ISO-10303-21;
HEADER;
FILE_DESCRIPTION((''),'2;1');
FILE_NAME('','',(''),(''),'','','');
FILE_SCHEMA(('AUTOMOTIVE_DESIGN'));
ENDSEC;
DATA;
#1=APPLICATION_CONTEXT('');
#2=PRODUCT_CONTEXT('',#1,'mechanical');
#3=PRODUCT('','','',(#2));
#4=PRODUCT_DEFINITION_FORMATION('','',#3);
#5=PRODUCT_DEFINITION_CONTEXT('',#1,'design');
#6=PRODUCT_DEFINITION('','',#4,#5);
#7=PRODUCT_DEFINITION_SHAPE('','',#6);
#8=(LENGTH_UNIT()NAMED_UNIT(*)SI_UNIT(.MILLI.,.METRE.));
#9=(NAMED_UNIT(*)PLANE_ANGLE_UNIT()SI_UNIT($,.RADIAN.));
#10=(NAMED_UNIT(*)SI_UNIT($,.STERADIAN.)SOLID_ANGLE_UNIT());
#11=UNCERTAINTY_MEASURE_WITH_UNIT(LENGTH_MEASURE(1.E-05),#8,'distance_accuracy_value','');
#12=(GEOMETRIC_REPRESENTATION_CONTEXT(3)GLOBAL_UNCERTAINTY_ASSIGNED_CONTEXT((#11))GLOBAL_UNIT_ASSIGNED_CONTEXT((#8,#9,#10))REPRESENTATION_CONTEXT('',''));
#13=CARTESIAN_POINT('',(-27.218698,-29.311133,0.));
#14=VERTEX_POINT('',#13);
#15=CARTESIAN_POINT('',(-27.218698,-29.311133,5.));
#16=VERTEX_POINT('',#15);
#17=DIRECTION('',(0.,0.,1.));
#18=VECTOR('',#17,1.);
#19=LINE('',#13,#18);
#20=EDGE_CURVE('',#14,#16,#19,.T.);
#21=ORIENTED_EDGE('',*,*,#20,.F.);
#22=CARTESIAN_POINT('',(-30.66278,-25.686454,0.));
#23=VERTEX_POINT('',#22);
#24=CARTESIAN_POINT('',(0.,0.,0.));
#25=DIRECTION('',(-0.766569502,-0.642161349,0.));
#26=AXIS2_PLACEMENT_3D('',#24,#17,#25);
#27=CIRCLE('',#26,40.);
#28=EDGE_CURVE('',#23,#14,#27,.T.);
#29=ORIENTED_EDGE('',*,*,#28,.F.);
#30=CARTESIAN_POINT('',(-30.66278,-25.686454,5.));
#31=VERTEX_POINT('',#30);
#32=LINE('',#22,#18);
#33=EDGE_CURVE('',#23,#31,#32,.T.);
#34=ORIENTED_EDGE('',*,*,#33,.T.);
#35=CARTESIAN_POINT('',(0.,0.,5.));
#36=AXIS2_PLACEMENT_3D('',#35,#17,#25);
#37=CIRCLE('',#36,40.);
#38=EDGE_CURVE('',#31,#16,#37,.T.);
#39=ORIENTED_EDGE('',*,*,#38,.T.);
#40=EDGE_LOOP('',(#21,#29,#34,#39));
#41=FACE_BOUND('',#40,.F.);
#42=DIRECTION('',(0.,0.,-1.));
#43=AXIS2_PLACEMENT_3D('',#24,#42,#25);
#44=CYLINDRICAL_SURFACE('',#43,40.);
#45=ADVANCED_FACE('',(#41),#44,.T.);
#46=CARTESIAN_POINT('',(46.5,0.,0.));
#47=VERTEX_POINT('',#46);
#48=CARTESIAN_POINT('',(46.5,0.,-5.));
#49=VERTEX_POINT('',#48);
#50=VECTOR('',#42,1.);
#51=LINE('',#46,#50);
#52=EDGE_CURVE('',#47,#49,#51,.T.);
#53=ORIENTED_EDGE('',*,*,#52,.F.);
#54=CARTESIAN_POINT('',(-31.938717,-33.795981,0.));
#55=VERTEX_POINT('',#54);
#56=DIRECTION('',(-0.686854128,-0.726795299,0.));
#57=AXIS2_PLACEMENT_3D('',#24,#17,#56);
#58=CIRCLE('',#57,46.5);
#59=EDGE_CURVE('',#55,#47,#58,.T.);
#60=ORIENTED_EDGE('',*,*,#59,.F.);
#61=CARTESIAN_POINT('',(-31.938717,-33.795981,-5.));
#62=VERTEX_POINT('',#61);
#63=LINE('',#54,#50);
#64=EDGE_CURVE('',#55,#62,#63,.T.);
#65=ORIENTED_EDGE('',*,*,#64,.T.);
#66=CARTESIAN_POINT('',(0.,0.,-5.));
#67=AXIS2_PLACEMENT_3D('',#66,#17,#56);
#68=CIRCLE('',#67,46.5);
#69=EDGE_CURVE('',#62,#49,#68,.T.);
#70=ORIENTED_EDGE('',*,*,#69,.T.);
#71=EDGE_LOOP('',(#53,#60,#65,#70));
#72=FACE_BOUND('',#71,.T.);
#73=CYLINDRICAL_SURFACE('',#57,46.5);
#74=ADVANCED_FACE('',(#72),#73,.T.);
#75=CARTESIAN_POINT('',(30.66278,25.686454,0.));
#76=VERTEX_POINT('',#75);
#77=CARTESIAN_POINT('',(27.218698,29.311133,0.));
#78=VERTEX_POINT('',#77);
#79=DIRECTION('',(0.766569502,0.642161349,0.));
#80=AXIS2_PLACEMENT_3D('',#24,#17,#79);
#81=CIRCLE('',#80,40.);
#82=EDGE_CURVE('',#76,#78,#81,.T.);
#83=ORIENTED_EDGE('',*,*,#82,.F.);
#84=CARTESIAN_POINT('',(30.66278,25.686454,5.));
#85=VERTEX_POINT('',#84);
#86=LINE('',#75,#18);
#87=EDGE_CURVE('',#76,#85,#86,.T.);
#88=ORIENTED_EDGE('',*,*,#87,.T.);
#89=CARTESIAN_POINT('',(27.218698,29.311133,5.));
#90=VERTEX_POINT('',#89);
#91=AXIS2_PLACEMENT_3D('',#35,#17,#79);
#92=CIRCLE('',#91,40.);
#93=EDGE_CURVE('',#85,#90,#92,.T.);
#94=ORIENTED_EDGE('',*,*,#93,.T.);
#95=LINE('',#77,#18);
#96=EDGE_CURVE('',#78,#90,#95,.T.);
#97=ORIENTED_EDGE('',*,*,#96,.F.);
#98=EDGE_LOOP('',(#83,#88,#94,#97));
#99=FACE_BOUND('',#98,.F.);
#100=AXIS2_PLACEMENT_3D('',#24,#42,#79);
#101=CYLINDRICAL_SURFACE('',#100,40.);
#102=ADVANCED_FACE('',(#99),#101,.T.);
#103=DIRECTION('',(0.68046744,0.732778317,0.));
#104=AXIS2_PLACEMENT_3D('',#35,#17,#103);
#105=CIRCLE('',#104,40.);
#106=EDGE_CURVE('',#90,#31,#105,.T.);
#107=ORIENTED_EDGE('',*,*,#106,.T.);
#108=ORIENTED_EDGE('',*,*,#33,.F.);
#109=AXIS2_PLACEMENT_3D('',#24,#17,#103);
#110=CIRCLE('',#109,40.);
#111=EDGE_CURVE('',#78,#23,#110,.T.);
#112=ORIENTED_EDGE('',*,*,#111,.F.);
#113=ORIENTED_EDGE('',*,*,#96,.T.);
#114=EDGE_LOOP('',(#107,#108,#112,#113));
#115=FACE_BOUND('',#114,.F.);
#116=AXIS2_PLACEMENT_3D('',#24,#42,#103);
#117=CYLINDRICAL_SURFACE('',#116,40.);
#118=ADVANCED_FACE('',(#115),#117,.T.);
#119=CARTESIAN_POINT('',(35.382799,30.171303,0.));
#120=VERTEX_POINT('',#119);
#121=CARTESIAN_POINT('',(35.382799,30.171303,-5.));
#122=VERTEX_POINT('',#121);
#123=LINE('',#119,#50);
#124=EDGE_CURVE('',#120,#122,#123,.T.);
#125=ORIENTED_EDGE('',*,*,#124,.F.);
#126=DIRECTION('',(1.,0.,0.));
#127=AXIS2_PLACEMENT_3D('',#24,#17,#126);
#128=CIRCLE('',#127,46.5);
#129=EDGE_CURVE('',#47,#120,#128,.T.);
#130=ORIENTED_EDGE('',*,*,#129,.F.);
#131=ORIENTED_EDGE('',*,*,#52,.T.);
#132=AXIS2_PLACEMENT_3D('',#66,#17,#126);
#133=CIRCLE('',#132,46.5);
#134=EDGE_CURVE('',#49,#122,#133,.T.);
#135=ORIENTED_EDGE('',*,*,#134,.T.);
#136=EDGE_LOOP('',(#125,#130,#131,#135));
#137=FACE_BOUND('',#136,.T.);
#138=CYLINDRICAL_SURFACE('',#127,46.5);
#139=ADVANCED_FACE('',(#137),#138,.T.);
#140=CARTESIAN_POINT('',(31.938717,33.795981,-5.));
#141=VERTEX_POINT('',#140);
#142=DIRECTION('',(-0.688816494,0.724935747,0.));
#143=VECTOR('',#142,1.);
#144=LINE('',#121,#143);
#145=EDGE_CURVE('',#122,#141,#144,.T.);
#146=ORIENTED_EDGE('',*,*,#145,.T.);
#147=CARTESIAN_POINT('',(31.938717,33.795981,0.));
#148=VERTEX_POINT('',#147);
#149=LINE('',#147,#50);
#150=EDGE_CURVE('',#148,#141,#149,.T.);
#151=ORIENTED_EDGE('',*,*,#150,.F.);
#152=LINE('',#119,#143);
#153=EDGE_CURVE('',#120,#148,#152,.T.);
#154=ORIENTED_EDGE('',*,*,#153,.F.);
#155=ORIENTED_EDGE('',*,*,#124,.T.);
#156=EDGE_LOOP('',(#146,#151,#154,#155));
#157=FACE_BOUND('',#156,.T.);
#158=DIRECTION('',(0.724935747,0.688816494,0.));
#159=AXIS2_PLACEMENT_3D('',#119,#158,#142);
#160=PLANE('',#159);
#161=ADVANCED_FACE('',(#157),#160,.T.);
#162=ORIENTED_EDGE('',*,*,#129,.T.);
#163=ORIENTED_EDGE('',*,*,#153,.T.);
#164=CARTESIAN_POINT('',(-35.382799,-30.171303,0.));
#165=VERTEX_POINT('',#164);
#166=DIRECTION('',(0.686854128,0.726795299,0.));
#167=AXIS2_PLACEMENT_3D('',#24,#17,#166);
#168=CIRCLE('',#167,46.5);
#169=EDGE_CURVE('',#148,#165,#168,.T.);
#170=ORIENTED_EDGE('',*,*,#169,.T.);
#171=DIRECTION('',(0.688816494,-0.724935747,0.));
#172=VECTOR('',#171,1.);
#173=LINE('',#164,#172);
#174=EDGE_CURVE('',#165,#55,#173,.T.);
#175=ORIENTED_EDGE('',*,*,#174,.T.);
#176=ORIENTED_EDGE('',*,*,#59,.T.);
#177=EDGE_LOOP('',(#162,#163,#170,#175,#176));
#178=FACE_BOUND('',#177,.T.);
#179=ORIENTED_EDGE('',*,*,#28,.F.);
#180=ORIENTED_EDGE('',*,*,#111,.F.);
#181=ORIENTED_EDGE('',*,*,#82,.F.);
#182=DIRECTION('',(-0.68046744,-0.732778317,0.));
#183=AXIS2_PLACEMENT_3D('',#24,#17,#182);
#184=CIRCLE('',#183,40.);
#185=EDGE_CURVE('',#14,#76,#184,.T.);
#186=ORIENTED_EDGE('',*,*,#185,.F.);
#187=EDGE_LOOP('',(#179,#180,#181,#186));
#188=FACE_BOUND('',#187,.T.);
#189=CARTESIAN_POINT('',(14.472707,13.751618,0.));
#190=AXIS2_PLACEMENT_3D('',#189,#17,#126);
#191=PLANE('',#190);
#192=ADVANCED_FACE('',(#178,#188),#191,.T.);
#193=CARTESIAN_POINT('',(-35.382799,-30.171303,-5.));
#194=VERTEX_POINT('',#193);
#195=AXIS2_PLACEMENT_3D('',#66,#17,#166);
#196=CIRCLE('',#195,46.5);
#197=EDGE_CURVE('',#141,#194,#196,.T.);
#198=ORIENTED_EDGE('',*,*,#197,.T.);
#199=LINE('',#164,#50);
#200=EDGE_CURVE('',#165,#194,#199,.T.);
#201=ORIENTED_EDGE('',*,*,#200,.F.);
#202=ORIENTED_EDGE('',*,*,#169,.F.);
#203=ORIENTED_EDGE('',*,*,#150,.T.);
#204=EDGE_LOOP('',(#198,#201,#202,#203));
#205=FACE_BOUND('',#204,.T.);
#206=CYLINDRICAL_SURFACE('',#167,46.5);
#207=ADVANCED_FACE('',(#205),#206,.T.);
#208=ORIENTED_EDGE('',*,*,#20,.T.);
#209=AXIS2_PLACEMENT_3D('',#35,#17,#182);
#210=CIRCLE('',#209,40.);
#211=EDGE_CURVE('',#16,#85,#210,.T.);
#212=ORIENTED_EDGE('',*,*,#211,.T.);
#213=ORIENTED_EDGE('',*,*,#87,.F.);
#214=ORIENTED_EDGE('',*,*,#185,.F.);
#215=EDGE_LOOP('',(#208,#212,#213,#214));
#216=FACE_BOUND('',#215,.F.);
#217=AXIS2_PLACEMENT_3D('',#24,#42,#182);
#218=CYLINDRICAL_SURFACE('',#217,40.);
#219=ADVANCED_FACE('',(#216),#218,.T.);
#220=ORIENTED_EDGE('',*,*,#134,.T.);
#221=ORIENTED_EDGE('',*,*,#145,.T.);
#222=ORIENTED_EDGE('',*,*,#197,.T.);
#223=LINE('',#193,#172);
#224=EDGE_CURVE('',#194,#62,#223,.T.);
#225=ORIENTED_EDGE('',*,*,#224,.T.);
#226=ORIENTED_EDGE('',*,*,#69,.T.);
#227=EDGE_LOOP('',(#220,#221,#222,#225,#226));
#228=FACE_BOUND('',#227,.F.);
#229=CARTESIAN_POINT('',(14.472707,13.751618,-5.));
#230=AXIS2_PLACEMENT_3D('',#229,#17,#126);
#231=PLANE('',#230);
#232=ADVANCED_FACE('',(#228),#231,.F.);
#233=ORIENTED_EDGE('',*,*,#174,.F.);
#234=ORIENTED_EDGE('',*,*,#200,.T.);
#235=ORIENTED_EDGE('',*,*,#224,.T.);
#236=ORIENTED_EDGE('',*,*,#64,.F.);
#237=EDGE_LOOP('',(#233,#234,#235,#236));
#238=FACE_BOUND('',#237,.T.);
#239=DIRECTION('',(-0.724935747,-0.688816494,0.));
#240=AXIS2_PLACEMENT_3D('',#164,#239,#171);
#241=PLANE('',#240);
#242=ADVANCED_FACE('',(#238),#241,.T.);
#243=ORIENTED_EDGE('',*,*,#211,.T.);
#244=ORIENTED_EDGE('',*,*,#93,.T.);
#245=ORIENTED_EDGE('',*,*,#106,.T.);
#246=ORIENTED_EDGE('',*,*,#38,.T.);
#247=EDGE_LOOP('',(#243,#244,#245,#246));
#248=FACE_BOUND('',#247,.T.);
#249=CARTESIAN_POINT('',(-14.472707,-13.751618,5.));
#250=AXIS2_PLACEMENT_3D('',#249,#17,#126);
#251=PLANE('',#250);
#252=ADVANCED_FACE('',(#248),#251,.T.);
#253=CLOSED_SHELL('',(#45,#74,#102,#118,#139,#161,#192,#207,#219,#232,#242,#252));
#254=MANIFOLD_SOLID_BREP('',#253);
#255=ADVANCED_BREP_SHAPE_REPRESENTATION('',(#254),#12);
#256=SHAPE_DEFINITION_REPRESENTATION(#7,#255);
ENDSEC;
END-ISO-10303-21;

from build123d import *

# Parameters (mm, degrees)
F1_DEPTH = 5
F2_DEPTH = 5


with BuildPart() as f1:
    # F0 (on Top) → F1 (new body)
    with BuildSketch(Plane.XY):
        with BuildLine():
            ThreePointArc((-30.6627800902, -25.6864539619), (-28.9974298761, -27.5526597732), (-27.2186976186, -29.3111326965))
            Line((-27.2186976186, -29.3111326965), (1.7220412358, -1.8123393673))
            Line((1.7220412358, -1.8123393673), (0, 0))
            Line((0, 0), (-1.7220412358, 1.8123393673))
            Line((-1.7220412358, 1.8123393673), (-30.6627800902, -25.6864539619))
        make_face()
        with BuildLine():
            Line((1.7220412358, -1.8123393673), (30.6627800902, 25.6864539619))
            ThreePointArc((30.6627800902, 25.6864539619), (28.9974298761, 27.5526597732), (27.2186976186, 29.3111326965))
            Line((27.2186976186, 29.3111326965), (-1.7220412358, 1.8123393673))
            Line((-1.7220412358, 1.8123393673), (0, 0))
            Line((0, 0), (1.7220412358, -1.8123393673))
        make_face()
        with BuildLine():
            Line((-1.7220412358, 1.8123393673), (27.2186976186, 29.3111326965))
            ThreePointArc((27.2186976186, 29.3111326965), (-27.5526597732, 28.9974298761), (-30.6627800902, -25.6864539619))
            Line((-30.6627800902, -25.6864539619), (-1.7220412358, 1.8123393673))
        make_face()
        with BuildLine():
            ThreePointArc((-27.2186976186, -29.3111326965), (15.9883097177, -36.6657053985), (40, 0))
            ThreePointArc((40, 0), (37.5932919788, 13.6654454079), (30.6627800902, 25.6864539619))
            Line((30.6627800902, 25.6864539619), (1.7220412358, -1.8123393673))
            Line((1.7220412358, -1.8123393673), (-27.2186976186, -29.3111326965))
        make_face()
    extrude(amount=F1_DEPTH)

    # F0 (on Top) → F2 (join)
    with BuildSketch(Plane.XY):
        with BuildLine():
            Line((1.7220412358, -1.8123393673), (30.6627800902, 25.6864539619))
            ThreePointArc((30.6627800902, 25.6864539619), (28.9974298761, 27.5526597732), (27.2186976186, 29.3111326965))
            Line((27.2186976186, 29.3111326965), (-1.7220412358, 1.8123393673))
            Line((-1.7220412358, 1.8123393673), (0, 0))
            Line((0, 0), (1.7220412358, -1.8123393673))
        make_face()
        with BuildLine():
            ThreePointArc((-30.6627800902, -25.6864539619), (-28.9974298761, -27.5526597732), (-27.2186976186, -29.3111326965))
            Line((-27.2186976186, -29.3111326965), (1.7220412358, -1.8123393673))
            Line((1.7220412358, -1.8123393673), (0, 0))
            Line((0, 0), (-1.7220412358, 1.8123393673))
            Line((-1.7220412358, 1.8123393673), (-30.6627800902, -25.6864539619))
        make_face()
        with BuildLine():
            ThreePointArc((27.2186976186, 29.3111326965), (28.9974298761, 27.5526597732), (30.6627800902, 25.6864539619))
            Line((30.6627800902, 25.6864539619), (35.3827994101, 30.1713026882))
            Line((35.3827994101, 30.1713026882), (31.9387169385, 33.7959814227))
            Line((31.9387169385, 33.7959814227), (27.2186976186, 29.3111326965))
        make_face()
        with BuildLine():
            Line((-31.9387169385, -33.7959814227), (-27.2186976186, -29.3111326965))
            ThreePointArc((-27.2186976186, -29.3111326965), (-28.9974298761, -27.5526597732), (-30.6627800902, -25.6864539619))
            Line((-30.6627800902, -25.6864539619), (-35.3827994101, -30.1713026882))
            Line((-35.3827994101, -30.1713026882), (-31.9387169385, -33.7959814227))
        make_face()
        with BuildLine():
            ThreePointArc((30.6627800902, 25.6864539619), (37.5932919788, 13.6654454079), (40, 0))
            ThreePointArc((40, 0), (15.9883097177, -36.6657053985), (-27.2186976186, -29.3111326965))
            Line((-27.2186976186, -29.3111326965), (-31.9387169385, -33.7959814227))
            ThreePointArc((-31.9387169385, -33.7959814227), (18.3997236713, -42.7048026435), (46.5, 0))
            ThreePointArc((46.5, 0), (43.6322711566, 16.0771550255), (35.3827994101, 30.1713026882))
            Line((35.3827994101, 30.1713026882), (30.6627800902, 25.6864539619))
        make_face()
        with BuildLine():
            ThreePointArc((-30.6627800902, -25.6864539619), (-27.5526597732, 28.9974298761), (27.2186976186, 29.3111326965))
            Line((27.2186976186, 29.3111326965), (31.9387169385, 33.7959814227))
            ThreePointArc((31.9387169385, 33.7959814227), (-32.0299669864, 33.709512231), (-35.3827994101, -30.1713026882))
            Line((-35.3827994101, -30.1713026882), (-30.6627800902, -25.6864539619))
        make_face()
        with BuildLine():
            ThreePointArc((-27.2186976186, -29.3111326965), (15.9883097177, -36.6657053985), (40, 0))
            ThreePointArc((40, 0), (37.5932919788, 13.6654454079), (30.6627800902, 25.6864539619))
            Line((30.6627800902, 25.6864539619), (1.7220412358, -1.8123393673))
            Line((1.7220412358, -1.8123393673), (-27.2186976186, -29.3111326965))
        make_face()
        with BuildLine():
            Line((-1.7220412358, 1.8123393673), (27.2186976186, 29.3111326965))
            ThreePointArc((27.2186976186, 29.3111326965), (-27.5526597732, 28.9974298761), (-30.6627800902, -25.6864539619))
            Line((-30.6627800902, -25.6864539619), (-1.7220412358, 1.8123393673))
        make_face()
    extrude(amount=-F2_DEPTH)


solid = f1.part
